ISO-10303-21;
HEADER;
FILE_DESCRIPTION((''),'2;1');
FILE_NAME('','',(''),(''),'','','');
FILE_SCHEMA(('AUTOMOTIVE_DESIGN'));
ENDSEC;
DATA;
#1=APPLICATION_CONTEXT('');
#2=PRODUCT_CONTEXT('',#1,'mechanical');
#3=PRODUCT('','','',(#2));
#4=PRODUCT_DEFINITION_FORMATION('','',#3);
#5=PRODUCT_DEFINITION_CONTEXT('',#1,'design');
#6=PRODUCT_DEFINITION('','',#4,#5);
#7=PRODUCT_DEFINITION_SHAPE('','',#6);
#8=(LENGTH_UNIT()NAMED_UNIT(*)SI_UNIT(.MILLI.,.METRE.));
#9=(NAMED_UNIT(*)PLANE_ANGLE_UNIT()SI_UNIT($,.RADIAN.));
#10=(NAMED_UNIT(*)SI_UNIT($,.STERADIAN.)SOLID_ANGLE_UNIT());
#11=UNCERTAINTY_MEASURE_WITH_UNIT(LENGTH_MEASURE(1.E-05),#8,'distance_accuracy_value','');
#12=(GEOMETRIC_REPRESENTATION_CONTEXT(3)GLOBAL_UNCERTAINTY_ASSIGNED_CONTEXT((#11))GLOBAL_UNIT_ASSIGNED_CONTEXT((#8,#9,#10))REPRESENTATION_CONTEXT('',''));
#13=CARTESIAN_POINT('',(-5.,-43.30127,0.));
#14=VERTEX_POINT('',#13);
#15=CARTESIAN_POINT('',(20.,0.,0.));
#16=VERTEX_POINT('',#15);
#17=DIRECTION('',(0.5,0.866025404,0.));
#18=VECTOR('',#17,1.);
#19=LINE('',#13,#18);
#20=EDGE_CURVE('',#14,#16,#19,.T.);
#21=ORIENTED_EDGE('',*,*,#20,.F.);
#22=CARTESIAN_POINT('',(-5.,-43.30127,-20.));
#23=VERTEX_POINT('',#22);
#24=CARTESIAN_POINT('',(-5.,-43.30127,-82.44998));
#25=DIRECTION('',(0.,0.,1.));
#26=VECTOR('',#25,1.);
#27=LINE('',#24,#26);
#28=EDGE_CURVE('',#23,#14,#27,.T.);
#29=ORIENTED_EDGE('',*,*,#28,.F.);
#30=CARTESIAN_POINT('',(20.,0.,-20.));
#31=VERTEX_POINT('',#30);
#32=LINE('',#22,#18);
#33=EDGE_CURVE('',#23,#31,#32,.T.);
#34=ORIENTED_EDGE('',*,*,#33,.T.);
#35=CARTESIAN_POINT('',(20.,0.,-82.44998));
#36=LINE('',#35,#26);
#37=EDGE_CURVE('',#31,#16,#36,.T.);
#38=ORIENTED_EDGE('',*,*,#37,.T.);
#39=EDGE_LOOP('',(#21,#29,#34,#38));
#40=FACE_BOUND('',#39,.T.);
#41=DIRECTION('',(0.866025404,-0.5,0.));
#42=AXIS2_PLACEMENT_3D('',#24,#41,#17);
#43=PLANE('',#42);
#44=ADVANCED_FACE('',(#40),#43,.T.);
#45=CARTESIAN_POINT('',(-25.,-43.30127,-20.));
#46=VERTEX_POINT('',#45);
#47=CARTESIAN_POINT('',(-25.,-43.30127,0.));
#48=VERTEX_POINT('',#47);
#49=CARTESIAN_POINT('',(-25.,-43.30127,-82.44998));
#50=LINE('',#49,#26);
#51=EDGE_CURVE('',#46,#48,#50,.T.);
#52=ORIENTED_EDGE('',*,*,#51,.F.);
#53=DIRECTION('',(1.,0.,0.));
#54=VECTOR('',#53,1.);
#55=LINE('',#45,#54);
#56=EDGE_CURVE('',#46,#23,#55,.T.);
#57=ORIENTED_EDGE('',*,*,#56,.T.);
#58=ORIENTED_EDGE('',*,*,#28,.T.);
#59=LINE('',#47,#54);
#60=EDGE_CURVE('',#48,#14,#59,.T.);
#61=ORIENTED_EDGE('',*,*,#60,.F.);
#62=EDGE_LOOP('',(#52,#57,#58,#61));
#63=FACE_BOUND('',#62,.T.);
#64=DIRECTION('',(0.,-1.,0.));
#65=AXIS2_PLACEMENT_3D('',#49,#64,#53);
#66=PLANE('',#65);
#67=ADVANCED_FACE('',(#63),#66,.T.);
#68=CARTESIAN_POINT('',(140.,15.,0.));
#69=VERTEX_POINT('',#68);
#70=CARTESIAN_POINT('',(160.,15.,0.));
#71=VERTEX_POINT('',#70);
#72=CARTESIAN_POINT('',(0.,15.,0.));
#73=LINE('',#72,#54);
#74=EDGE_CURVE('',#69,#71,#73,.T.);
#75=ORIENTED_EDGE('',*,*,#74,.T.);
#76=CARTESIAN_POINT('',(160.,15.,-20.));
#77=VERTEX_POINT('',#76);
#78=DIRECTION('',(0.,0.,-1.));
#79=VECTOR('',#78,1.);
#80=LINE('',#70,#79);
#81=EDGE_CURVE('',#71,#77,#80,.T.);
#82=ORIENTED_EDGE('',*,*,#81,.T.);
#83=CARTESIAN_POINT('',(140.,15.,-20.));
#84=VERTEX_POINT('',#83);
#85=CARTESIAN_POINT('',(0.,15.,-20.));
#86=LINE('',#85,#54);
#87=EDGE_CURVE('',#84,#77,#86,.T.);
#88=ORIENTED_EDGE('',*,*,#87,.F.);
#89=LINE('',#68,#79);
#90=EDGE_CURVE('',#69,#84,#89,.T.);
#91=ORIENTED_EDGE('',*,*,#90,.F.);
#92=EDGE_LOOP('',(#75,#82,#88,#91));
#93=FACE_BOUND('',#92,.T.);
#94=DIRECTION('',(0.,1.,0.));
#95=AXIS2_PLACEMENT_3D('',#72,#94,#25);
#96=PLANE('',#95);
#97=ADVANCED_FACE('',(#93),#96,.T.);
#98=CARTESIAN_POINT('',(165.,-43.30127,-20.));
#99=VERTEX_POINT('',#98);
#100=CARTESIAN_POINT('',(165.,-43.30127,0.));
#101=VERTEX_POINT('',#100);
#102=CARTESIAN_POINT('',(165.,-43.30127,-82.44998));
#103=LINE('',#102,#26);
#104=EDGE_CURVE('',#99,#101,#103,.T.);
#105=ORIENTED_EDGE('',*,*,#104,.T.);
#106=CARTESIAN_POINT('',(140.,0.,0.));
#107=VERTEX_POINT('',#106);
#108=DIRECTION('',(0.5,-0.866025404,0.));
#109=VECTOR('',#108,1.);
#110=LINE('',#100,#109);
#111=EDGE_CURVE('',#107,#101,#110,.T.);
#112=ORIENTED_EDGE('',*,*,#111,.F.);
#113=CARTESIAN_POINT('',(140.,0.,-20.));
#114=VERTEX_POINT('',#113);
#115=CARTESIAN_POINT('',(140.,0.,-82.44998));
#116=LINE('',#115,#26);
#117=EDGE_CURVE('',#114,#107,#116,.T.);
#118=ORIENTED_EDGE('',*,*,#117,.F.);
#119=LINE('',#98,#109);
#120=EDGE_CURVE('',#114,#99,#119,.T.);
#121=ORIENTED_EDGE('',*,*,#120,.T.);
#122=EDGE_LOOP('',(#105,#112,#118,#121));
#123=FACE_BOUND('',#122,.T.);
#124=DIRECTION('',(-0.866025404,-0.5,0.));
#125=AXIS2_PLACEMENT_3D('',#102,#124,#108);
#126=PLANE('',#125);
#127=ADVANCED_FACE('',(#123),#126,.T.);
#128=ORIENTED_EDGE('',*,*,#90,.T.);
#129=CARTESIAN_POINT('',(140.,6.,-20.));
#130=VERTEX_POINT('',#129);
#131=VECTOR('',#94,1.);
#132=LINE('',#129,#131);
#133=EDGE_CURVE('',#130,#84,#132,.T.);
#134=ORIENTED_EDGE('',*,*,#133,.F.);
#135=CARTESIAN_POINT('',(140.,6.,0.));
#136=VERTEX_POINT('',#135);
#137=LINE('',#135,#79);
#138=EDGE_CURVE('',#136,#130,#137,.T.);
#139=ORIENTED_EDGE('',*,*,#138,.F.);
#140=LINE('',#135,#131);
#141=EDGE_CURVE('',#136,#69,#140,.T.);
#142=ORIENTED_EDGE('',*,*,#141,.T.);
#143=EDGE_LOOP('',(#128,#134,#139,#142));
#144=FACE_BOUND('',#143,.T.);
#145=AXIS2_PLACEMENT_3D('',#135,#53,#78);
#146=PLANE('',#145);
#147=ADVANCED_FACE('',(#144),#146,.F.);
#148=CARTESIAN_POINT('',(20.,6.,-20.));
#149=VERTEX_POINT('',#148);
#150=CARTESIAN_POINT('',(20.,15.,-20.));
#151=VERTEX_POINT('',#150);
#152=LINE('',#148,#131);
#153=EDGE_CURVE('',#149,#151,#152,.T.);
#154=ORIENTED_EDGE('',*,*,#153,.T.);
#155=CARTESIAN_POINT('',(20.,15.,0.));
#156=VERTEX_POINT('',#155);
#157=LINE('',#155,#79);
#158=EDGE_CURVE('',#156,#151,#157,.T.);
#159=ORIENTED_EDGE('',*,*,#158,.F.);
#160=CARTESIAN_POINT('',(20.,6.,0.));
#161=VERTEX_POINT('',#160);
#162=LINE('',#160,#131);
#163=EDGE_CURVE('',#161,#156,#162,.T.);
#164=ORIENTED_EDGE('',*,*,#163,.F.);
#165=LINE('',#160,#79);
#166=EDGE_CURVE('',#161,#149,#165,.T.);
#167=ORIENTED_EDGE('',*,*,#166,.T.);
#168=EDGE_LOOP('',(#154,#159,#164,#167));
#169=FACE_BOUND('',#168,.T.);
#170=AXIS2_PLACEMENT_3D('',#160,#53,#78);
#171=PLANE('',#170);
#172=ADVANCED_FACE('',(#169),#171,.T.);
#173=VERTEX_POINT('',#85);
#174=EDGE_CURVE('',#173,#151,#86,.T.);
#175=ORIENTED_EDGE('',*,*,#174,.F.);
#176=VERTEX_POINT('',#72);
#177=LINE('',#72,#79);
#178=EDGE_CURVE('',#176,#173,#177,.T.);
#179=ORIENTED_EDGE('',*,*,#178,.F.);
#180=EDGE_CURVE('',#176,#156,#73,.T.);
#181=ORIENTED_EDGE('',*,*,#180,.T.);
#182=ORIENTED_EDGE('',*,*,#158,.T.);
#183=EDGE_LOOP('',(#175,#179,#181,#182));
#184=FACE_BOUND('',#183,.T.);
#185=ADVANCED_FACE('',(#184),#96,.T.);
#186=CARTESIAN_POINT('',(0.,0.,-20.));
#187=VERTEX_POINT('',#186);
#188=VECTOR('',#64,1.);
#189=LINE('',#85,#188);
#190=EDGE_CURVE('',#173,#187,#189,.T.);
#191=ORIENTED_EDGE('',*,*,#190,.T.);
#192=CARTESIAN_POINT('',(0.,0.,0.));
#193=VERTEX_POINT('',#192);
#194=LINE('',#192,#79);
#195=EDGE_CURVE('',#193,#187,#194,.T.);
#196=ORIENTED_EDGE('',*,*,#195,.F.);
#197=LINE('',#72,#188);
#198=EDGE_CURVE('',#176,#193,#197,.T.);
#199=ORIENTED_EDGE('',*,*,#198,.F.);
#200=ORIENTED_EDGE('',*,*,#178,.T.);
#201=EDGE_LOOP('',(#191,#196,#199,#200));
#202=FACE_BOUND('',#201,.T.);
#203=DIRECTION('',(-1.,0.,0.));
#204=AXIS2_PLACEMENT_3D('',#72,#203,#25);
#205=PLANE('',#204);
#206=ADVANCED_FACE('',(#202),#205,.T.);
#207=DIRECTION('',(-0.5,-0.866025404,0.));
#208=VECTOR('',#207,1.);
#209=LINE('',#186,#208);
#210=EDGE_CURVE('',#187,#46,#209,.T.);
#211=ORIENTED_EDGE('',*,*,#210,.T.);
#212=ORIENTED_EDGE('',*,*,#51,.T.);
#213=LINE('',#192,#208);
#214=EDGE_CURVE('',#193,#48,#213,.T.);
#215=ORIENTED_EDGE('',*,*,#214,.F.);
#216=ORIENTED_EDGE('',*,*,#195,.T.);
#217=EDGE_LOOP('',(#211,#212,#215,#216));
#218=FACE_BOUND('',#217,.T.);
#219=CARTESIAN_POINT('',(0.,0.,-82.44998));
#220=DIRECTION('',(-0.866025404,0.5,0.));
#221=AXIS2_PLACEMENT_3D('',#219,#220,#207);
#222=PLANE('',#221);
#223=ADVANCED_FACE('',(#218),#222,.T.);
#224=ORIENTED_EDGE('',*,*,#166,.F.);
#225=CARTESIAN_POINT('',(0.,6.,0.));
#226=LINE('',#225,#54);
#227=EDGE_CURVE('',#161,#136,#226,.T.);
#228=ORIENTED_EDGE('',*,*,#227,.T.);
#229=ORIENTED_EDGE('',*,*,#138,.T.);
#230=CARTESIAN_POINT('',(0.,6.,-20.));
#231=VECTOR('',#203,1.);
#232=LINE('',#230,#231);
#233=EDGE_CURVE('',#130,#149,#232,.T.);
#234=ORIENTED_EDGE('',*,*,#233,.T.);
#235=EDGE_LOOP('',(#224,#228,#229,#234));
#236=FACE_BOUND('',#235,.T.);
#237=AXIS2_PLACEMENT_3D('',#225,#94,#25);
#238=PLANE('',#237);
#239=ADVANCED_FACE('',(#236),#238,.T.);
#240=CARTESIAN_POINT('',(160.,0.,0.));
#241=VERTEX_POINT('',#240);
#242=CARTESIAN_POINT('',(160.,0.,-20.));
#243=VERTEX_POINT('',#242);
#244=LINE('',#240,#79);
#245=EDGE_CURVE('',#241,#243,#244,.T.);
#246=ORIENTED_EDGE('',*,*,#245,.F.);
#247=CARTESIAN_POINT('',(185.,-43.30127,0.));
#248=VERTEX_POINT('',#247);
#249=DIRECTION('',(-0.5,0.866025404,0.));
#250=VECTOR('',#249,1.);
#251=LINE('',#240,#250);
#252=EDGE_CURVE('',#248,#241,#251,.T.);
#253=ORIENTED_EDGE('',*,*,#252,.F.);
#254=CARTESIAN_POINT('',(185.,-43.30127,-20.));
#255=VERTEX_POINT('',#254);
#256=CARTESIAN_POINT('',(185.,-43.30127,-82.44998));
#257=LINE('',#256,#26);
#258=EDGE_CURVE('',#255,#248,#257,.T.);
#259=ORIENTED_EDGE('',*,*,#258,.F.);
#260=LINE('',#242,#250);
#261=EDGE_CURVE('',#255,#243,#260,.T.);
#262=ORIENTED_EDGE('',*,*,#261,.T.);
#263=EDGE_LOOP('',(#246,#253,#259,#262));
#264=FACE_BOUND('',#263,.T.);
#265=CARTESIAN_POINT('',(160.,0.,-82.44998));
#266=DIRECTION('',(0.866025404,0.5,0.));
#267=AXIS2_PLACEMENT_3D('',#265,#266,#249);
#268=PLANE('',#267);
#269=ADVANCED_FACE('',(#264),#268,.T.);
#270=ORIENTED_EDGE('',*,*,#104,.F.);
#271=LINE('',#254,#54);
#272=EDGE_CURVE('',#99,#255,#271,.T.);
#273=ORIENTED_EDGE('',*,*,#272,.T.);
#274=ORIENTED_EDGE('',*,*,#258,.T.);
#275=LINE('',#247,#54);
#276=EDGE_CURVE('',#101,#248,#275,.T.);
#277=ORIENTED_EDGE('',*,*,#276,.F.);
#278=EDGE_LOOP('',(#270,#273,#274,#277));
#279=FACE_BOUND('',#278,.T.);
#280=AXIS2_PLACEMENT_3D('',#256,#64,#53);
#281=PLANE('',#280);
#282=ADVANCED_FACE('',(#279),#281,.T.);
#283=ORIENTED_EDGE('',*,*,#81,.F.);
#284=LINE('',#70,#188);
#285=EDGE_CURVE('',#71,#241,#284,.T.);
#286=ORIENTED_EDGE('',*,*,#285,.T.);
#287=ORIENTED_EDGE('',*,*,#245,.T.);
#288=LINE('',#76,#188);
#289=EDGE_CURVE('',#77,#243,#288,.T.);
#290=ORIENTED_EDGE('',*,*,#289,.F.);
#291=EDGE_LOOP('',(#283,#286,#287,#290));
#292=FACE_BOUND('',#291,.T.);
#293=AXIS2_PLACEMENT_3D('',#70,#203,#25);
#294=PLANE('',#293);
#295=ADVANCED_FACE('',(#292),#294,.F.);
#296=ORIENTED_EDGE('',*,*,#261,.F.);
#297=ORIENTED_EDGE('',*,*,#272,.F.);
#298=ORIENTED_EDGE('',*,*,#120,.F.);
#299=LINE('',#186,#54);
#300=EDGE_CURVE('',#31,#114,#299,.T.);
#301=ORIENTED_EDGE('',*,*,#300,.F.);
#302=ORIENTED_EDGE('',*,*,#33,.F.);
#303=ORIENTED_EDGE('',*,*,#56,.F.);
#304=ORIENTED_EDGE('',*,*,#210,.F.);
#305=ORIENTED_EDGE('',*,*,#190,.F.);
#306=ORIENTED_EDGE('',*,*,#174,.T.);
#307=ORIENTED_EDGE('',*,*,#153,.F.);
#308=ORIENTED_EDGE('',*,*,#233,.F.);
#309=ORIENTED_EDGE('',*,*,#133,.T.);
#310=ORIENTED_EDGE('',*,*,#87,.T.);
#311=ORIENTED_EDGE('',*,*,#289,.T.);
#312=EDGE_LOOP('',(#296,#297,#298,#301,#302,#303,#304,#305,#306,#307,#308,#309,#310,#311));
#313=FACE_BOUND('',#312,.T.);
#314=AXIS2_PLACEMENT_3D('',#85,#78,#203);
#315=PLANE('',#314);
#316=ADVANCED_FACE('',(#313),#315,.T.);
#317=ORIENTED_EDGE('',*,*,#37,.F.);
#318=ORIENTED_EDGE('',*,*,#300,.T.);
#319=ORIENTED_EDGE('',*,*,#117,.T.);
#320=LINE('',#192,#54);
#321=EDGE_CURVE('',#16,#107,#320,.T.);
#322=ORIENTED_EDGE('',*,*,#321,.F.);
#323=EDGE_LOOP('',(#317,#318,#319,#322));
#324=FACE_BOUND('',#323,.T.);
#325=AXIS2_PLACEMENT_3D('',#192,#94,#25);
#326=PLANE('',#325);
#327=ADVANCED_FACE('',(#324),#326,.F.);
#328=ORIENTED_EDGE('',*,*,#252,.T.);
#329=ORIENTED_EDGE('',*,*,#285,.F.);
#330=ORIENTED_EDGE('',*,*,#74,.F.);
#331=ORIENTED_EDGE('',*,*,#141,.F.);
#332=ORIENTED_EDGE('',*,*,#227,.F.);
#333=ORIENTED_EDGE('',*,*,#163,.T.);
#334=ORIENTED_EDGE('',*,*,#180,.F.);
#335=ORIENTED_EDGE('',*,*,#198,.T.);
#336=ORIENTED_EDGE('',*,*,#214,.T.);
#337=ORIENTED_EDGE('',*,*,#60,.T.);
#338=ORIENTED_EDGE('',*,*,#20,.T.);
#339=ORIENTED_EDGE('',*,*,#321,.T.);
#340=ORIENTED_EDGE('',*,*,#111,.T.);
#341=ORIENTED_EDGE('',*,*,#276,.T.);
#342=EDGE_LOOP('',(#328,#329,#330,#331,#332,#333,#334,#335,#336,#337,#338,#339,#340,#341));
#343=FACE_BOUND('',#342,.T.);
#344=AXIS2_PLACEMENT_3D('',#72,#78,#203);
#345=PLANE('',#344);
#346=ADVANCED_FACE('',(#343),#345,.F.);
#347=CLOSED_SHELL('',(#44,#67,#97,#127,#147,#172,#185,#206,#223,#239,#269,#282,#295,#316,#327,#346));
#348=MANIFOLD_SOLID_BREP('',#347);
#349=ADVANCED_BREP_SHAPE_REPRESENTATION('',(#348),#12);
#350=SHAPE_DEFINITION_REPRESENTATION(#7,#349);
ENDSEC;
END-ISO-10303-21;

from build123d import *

# Parameters (mm, degrees)
SKETCH_1_W          = 160
SKETCH_1_H          = 20
EXTRUDE_1_DEPTH     = 15
SKETCH_2_W          = 120
SKETCH_2_H          = 20
CUT_EXTRUDE_1_DEPTH = 9
EXTRUDE_2_DEPTH     = 20


with BuildPart() as part:
    # 草图1 → 凸台-拉伸1 (new body)
    with BuildSketch(Plane(origin=(0, 0, 0), x_dir=(1, 0, 0), z_dir=(0, 1, 0))):
        with Locations((80, 10)):
            Rectangle(SKETCH_1_W, SKETCH_1_H)
    extrude(amount=EXTRUDE_1_DEPTH)

    # 草图2 → 切除-拉伸1 (cut)
    with BuildSketch(Plane(origin=(0, 15, 0), x_dir=(1, 0, 0), z_dir=(0, 1, 0))):
        with Locations((80, 10)):
            Rectangle(SKETCH_2_W, SKETCH_2_H)
    extrude(amount=-CUT_EXTRUDE_1_DEPTH, mode=Mode.SUBTRACT)

    # 草图4 → 凸台-拉伸2 (add)
    with BuildSketch(Plane.XY):
        Polygon((0, 0), (-25, -43.301270189), (-5, -43.301270189), (20, 0), align=None)
        Polygon((165, -43.301270189), (140, 0), (160, 0), (185, -43.301270189), align=None)
    extrude(amount=-EXTRUDE_2_DEPTH)


solid = part.part
